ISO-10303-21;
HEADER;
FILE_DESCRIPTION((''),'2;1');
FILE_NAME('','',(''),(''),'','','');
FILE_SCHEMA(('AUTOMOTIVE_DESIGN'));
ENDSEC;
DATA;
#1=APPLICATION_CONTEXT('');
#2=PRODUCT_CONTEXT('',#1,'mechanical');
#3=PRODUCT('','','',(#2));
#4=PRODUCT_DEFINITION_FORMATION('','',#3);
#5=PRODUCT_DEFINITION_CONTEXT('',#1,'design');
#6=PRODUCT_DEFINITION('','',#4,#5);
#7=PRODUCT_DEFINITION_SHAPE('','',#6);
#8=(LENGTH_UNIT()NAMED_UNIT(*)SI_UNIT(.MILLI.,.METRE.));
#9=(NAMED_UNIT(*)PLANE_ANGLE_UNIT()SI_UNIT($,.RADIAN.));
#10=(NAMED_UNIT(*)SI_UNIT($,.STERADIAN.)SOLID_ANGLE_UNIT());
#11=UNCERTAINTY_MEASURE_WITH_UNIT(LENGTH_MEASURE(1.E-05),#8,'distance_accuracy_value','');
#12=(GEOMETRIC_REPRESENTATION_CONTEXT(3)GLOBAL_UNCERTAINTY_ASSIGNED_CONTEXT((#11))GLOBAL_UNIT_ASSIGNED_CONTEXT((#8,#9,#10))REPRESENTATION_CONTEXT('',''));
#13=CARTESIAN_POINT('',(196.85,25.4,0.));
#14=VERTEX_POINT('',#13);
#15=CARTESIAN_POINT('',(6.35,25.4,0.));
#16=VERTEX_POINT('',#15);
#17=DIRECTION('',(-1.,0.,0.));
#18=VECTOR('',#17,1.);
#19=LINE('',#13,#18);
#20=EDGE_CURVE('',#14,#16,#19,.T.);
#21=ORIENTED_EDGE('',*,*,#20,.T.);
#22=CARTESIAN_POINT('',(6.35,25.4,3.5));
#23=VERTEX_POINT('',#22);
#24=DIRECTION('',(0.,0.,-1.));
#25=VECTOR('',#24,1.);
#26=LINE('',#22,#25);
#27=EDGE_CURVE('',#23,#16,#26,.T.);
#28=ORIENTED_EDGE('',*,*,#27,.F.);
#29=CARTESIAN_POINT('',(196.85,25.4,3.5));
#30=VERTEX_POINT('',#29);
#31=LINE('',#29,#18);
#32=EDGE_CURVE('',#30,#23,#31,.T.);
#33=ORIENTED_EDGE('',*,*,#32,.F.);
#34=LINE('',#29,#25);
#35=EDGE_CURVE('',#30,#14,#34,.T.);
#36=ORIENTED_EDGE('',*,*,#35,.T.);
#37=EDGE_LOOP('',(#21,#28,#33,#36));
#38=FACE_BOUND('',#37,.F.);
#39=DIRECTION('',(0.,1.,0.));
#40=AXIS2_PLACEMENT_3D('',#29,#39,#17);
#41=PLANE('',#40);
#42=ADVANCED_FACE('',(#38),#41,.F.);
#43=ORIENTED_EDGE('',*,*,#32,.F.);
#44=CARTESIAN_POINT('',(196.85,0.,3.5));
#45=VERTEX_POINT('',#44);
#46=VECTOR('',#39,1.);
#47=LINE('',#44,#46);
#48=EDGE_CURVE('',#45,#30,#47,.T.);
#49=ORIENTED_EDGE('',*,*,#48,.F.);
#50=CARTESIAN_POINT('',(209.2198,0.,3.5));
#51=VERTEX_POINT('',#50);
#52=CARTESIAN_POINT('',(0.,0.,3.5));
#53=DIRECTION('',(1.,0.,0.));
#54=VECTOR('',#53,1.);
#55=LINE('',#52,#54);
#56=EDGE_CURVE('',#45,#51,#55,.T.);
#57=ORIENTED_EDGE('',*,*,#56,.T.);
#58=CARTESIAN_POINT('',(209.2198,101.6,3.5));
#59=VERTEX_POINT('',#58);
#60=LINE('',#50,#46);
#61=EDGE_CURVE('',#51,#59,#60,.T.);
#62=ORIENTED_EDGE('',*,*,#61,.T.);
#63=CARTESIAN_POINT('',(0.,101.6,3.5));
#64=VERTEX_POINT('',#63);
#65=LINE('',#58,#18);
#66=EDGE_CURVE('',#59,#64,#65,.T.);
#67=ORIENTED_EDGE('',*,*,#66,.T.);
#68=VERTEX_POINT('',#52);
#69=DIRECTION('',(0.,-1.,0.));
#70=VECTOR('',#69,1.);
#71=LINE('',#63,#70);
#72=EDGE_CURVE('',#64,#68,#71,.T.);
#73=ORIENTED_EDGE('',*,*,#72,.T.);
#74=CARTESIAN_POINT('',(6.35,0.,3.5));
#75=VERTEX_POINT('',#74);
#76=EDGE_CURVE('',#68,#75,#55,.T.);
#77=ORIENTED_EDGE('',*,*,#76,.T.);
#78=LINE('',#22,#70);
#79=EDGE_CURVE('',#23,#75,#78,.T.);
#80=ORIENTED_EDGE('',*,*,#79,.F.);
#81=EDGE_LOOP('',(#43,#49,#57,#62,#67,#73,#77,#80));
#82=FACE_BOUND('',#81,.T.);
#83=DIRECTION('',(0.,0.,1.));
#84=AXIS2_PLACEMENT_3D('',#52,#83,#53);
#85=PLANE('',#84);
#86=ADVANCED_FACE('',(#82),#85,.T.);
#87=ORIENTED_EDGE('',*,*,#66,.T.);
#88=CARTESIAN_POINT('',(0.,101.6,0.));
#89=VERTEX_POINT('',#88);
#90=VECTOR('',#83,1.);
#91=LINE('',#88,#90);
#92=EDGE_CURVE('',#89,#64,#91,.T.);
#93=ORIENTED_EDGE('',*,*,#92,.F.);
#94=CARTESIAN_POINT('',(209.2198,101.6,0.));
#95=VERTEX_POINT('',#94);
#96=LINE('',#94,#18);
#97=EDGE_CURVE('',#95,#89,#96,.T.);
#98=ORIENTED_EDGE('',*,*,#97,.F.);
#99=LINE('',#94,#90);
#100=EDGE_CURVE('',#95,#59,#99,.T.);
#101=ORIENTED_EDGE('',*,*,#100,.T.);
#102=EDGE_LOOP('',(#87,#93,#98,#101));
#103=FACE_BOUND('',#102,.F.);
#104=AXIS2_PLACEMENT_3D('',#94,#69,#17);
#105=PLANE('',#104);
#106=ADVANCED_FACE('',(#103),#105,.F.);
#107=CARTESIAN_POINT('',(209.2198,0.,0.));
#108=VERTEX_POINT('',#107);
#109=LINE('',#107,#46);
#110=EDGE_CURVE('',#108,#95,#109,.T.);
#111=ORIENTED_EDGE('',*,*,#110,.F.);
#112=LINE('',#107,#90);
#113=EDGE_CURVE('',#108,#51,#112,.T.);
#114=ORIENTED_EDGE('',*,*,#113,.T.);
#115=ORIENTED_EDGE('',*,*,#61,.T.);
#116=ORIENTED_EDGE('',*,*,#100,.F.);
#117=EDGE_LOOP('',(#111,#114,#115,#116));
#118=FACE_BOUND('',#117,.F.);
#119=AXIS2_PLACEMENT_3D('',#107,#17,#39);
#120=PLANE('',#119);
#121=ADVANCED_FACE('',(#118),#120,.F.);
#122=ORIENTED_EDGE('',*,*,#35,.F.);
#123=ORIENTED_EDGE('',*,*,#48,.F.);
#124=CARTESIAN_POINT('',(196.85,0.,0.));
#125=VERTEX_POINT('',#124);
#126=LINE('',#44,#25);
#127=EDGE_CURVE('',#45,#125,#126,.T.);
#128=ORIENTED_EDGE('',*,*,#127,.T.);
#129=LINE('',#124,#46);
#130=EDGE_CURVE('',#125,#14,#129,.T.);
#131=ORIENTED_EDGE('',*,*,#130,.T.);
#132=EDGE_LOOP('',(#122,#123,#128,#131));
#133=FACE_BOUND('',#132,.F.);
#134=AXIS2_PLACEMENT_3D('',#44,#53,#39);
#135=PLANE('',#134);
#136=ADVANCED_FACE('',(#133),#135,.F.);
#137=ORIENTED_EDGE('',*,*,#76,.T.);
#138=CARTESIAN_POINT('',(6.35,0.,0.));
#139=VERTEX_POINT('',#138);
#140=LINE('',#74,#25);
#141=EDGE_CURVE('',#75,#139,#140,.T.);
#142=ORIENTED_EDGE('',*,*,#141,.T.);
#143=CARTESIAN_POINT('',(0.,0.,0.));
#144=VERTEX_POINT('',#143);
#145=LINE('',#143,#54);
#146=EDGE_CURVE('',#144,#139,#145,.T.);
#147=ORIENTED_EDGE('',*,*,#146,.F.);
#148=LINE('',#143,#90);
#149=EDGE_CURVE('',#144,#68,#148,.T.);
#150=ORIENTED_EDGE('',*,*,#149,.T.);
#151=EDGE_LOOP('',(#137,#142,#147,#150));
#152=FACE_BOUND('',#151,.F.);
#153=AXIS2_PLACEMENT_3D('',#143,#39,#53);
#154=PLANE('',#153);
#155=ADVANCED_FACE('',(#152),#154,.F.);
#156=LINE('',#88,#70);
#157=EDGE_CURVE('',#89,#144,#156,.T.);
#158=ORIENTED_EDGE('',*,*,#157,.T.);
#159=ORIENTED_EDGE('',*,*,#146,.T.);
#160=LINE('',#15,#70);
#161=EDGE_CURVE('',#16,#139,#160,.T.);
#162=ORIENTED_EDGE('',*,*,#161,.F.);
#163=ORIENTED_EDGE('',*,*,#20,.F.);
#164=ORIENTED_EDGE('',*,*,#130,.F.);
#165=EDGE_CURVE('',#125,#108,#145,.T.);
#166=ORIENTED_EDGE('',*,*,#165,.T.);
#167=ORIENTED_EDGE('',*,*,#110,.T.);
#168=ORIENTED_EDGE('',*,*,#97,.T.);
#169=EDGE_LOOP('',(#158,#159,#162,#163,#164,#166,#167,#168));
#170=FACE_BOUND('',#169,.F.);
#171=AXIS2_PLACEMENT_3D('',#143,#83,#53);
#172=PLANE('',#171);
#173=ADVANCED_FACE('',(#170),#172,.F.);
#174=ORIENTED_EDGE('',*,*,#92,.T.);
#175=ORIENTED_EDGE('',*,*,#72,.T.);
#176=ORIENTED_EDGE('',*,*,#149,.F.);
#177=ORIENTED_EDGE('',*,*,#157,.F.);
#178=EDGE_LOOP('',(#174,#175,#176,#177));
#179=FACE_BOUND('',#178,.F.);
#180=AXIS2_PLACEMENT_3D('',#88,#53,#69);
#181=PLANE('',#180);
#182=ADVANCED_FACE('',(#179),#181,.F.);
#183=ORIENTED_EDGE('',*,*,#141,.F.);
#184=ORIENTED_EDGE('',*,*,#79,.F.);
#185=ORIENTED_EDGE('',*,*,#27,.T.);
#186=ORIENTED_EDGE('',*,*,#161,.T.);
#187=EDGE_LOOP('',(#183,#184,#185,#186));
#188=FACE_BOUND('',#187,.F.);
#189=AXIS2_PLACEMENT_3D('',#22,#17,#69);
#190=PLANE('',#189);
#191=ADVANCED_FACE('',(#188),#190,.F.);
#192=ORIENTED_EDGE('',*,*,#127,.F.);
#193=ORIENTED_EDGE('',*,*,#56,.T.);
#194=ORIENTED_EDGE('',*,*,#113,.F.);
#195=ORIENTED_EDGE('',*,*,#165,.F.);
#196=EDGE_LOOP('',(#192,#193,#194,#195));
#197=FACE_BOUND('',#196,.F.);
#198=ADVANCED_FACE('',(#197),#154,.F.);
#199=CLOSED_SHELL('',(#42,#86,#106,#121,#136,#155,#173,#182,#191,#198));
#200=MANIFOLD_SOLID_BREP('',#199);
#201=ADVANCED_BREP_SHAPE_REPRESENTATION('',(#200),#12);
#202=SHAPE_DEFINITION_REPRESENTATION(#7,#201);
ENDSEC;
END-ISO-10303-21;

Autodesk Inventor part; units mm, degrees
ref_plane "YZ Plane" through (0, 0, 0) normal (1, 0, 0) x (0, 1, 0)
ref_plane "XZ Plane" through (0, 0, 0) normal (0, 1, 0) x (-1, 0, 0)
ref_plane "XY Plane" through (0, 0, 0) normal (0, 0, 1) x (1, 0, 0)
sketch "Sketch1" plane through (0, 0, 0) normal (0, 0, 1) x (1, 0, 0)
  line L0 (0, 0) -> (209.2198, 0)
  line L1 (209.2198, 0) -> (209.2198, 101.6)
  line L2 (209.2198, 101.6) -> (0, 101.6)
  line L3 (0, 101.6) -> (0, 0)
  dimension "d0" = 209.2198
  dimension "d1" = 101.6
extrude "Extrusion1" add sketch "Sketch1" along normal blind 3.5
sketch "Sketch2" plane through (0, 0, 3.5) normal (0, 0, 1) x (1, 0, 0)
  line L0 (6.35, 0) -> (196.85, 0)
  line L1 (196.85, 0) -> (196.85, 25.4)
  line L2 (196.85, 25.4) -> (6.35, 25.4)
  line L3 (6.35, 25.4) -> (6.35, 0)
  line L4 (0, 0) -> (209.2198, 0) projected
  line L5 (209.2198, 0) -> (209.2198, 101.6) projected
  line L6 (209.2198, 101.6) -> (0, 101.6) projected
  line L7 (0, 101.6) -> (0, 0) projected
  dimension "d4" = 25.4
  dimension "d5" = 190.5
  dimension "d6" = 6.35
extrude "Extrusion2" cut sketch "Sketch2" against normal blind 3.5 contours L3 L2 L1 L0
properties part number "PCBWall"
